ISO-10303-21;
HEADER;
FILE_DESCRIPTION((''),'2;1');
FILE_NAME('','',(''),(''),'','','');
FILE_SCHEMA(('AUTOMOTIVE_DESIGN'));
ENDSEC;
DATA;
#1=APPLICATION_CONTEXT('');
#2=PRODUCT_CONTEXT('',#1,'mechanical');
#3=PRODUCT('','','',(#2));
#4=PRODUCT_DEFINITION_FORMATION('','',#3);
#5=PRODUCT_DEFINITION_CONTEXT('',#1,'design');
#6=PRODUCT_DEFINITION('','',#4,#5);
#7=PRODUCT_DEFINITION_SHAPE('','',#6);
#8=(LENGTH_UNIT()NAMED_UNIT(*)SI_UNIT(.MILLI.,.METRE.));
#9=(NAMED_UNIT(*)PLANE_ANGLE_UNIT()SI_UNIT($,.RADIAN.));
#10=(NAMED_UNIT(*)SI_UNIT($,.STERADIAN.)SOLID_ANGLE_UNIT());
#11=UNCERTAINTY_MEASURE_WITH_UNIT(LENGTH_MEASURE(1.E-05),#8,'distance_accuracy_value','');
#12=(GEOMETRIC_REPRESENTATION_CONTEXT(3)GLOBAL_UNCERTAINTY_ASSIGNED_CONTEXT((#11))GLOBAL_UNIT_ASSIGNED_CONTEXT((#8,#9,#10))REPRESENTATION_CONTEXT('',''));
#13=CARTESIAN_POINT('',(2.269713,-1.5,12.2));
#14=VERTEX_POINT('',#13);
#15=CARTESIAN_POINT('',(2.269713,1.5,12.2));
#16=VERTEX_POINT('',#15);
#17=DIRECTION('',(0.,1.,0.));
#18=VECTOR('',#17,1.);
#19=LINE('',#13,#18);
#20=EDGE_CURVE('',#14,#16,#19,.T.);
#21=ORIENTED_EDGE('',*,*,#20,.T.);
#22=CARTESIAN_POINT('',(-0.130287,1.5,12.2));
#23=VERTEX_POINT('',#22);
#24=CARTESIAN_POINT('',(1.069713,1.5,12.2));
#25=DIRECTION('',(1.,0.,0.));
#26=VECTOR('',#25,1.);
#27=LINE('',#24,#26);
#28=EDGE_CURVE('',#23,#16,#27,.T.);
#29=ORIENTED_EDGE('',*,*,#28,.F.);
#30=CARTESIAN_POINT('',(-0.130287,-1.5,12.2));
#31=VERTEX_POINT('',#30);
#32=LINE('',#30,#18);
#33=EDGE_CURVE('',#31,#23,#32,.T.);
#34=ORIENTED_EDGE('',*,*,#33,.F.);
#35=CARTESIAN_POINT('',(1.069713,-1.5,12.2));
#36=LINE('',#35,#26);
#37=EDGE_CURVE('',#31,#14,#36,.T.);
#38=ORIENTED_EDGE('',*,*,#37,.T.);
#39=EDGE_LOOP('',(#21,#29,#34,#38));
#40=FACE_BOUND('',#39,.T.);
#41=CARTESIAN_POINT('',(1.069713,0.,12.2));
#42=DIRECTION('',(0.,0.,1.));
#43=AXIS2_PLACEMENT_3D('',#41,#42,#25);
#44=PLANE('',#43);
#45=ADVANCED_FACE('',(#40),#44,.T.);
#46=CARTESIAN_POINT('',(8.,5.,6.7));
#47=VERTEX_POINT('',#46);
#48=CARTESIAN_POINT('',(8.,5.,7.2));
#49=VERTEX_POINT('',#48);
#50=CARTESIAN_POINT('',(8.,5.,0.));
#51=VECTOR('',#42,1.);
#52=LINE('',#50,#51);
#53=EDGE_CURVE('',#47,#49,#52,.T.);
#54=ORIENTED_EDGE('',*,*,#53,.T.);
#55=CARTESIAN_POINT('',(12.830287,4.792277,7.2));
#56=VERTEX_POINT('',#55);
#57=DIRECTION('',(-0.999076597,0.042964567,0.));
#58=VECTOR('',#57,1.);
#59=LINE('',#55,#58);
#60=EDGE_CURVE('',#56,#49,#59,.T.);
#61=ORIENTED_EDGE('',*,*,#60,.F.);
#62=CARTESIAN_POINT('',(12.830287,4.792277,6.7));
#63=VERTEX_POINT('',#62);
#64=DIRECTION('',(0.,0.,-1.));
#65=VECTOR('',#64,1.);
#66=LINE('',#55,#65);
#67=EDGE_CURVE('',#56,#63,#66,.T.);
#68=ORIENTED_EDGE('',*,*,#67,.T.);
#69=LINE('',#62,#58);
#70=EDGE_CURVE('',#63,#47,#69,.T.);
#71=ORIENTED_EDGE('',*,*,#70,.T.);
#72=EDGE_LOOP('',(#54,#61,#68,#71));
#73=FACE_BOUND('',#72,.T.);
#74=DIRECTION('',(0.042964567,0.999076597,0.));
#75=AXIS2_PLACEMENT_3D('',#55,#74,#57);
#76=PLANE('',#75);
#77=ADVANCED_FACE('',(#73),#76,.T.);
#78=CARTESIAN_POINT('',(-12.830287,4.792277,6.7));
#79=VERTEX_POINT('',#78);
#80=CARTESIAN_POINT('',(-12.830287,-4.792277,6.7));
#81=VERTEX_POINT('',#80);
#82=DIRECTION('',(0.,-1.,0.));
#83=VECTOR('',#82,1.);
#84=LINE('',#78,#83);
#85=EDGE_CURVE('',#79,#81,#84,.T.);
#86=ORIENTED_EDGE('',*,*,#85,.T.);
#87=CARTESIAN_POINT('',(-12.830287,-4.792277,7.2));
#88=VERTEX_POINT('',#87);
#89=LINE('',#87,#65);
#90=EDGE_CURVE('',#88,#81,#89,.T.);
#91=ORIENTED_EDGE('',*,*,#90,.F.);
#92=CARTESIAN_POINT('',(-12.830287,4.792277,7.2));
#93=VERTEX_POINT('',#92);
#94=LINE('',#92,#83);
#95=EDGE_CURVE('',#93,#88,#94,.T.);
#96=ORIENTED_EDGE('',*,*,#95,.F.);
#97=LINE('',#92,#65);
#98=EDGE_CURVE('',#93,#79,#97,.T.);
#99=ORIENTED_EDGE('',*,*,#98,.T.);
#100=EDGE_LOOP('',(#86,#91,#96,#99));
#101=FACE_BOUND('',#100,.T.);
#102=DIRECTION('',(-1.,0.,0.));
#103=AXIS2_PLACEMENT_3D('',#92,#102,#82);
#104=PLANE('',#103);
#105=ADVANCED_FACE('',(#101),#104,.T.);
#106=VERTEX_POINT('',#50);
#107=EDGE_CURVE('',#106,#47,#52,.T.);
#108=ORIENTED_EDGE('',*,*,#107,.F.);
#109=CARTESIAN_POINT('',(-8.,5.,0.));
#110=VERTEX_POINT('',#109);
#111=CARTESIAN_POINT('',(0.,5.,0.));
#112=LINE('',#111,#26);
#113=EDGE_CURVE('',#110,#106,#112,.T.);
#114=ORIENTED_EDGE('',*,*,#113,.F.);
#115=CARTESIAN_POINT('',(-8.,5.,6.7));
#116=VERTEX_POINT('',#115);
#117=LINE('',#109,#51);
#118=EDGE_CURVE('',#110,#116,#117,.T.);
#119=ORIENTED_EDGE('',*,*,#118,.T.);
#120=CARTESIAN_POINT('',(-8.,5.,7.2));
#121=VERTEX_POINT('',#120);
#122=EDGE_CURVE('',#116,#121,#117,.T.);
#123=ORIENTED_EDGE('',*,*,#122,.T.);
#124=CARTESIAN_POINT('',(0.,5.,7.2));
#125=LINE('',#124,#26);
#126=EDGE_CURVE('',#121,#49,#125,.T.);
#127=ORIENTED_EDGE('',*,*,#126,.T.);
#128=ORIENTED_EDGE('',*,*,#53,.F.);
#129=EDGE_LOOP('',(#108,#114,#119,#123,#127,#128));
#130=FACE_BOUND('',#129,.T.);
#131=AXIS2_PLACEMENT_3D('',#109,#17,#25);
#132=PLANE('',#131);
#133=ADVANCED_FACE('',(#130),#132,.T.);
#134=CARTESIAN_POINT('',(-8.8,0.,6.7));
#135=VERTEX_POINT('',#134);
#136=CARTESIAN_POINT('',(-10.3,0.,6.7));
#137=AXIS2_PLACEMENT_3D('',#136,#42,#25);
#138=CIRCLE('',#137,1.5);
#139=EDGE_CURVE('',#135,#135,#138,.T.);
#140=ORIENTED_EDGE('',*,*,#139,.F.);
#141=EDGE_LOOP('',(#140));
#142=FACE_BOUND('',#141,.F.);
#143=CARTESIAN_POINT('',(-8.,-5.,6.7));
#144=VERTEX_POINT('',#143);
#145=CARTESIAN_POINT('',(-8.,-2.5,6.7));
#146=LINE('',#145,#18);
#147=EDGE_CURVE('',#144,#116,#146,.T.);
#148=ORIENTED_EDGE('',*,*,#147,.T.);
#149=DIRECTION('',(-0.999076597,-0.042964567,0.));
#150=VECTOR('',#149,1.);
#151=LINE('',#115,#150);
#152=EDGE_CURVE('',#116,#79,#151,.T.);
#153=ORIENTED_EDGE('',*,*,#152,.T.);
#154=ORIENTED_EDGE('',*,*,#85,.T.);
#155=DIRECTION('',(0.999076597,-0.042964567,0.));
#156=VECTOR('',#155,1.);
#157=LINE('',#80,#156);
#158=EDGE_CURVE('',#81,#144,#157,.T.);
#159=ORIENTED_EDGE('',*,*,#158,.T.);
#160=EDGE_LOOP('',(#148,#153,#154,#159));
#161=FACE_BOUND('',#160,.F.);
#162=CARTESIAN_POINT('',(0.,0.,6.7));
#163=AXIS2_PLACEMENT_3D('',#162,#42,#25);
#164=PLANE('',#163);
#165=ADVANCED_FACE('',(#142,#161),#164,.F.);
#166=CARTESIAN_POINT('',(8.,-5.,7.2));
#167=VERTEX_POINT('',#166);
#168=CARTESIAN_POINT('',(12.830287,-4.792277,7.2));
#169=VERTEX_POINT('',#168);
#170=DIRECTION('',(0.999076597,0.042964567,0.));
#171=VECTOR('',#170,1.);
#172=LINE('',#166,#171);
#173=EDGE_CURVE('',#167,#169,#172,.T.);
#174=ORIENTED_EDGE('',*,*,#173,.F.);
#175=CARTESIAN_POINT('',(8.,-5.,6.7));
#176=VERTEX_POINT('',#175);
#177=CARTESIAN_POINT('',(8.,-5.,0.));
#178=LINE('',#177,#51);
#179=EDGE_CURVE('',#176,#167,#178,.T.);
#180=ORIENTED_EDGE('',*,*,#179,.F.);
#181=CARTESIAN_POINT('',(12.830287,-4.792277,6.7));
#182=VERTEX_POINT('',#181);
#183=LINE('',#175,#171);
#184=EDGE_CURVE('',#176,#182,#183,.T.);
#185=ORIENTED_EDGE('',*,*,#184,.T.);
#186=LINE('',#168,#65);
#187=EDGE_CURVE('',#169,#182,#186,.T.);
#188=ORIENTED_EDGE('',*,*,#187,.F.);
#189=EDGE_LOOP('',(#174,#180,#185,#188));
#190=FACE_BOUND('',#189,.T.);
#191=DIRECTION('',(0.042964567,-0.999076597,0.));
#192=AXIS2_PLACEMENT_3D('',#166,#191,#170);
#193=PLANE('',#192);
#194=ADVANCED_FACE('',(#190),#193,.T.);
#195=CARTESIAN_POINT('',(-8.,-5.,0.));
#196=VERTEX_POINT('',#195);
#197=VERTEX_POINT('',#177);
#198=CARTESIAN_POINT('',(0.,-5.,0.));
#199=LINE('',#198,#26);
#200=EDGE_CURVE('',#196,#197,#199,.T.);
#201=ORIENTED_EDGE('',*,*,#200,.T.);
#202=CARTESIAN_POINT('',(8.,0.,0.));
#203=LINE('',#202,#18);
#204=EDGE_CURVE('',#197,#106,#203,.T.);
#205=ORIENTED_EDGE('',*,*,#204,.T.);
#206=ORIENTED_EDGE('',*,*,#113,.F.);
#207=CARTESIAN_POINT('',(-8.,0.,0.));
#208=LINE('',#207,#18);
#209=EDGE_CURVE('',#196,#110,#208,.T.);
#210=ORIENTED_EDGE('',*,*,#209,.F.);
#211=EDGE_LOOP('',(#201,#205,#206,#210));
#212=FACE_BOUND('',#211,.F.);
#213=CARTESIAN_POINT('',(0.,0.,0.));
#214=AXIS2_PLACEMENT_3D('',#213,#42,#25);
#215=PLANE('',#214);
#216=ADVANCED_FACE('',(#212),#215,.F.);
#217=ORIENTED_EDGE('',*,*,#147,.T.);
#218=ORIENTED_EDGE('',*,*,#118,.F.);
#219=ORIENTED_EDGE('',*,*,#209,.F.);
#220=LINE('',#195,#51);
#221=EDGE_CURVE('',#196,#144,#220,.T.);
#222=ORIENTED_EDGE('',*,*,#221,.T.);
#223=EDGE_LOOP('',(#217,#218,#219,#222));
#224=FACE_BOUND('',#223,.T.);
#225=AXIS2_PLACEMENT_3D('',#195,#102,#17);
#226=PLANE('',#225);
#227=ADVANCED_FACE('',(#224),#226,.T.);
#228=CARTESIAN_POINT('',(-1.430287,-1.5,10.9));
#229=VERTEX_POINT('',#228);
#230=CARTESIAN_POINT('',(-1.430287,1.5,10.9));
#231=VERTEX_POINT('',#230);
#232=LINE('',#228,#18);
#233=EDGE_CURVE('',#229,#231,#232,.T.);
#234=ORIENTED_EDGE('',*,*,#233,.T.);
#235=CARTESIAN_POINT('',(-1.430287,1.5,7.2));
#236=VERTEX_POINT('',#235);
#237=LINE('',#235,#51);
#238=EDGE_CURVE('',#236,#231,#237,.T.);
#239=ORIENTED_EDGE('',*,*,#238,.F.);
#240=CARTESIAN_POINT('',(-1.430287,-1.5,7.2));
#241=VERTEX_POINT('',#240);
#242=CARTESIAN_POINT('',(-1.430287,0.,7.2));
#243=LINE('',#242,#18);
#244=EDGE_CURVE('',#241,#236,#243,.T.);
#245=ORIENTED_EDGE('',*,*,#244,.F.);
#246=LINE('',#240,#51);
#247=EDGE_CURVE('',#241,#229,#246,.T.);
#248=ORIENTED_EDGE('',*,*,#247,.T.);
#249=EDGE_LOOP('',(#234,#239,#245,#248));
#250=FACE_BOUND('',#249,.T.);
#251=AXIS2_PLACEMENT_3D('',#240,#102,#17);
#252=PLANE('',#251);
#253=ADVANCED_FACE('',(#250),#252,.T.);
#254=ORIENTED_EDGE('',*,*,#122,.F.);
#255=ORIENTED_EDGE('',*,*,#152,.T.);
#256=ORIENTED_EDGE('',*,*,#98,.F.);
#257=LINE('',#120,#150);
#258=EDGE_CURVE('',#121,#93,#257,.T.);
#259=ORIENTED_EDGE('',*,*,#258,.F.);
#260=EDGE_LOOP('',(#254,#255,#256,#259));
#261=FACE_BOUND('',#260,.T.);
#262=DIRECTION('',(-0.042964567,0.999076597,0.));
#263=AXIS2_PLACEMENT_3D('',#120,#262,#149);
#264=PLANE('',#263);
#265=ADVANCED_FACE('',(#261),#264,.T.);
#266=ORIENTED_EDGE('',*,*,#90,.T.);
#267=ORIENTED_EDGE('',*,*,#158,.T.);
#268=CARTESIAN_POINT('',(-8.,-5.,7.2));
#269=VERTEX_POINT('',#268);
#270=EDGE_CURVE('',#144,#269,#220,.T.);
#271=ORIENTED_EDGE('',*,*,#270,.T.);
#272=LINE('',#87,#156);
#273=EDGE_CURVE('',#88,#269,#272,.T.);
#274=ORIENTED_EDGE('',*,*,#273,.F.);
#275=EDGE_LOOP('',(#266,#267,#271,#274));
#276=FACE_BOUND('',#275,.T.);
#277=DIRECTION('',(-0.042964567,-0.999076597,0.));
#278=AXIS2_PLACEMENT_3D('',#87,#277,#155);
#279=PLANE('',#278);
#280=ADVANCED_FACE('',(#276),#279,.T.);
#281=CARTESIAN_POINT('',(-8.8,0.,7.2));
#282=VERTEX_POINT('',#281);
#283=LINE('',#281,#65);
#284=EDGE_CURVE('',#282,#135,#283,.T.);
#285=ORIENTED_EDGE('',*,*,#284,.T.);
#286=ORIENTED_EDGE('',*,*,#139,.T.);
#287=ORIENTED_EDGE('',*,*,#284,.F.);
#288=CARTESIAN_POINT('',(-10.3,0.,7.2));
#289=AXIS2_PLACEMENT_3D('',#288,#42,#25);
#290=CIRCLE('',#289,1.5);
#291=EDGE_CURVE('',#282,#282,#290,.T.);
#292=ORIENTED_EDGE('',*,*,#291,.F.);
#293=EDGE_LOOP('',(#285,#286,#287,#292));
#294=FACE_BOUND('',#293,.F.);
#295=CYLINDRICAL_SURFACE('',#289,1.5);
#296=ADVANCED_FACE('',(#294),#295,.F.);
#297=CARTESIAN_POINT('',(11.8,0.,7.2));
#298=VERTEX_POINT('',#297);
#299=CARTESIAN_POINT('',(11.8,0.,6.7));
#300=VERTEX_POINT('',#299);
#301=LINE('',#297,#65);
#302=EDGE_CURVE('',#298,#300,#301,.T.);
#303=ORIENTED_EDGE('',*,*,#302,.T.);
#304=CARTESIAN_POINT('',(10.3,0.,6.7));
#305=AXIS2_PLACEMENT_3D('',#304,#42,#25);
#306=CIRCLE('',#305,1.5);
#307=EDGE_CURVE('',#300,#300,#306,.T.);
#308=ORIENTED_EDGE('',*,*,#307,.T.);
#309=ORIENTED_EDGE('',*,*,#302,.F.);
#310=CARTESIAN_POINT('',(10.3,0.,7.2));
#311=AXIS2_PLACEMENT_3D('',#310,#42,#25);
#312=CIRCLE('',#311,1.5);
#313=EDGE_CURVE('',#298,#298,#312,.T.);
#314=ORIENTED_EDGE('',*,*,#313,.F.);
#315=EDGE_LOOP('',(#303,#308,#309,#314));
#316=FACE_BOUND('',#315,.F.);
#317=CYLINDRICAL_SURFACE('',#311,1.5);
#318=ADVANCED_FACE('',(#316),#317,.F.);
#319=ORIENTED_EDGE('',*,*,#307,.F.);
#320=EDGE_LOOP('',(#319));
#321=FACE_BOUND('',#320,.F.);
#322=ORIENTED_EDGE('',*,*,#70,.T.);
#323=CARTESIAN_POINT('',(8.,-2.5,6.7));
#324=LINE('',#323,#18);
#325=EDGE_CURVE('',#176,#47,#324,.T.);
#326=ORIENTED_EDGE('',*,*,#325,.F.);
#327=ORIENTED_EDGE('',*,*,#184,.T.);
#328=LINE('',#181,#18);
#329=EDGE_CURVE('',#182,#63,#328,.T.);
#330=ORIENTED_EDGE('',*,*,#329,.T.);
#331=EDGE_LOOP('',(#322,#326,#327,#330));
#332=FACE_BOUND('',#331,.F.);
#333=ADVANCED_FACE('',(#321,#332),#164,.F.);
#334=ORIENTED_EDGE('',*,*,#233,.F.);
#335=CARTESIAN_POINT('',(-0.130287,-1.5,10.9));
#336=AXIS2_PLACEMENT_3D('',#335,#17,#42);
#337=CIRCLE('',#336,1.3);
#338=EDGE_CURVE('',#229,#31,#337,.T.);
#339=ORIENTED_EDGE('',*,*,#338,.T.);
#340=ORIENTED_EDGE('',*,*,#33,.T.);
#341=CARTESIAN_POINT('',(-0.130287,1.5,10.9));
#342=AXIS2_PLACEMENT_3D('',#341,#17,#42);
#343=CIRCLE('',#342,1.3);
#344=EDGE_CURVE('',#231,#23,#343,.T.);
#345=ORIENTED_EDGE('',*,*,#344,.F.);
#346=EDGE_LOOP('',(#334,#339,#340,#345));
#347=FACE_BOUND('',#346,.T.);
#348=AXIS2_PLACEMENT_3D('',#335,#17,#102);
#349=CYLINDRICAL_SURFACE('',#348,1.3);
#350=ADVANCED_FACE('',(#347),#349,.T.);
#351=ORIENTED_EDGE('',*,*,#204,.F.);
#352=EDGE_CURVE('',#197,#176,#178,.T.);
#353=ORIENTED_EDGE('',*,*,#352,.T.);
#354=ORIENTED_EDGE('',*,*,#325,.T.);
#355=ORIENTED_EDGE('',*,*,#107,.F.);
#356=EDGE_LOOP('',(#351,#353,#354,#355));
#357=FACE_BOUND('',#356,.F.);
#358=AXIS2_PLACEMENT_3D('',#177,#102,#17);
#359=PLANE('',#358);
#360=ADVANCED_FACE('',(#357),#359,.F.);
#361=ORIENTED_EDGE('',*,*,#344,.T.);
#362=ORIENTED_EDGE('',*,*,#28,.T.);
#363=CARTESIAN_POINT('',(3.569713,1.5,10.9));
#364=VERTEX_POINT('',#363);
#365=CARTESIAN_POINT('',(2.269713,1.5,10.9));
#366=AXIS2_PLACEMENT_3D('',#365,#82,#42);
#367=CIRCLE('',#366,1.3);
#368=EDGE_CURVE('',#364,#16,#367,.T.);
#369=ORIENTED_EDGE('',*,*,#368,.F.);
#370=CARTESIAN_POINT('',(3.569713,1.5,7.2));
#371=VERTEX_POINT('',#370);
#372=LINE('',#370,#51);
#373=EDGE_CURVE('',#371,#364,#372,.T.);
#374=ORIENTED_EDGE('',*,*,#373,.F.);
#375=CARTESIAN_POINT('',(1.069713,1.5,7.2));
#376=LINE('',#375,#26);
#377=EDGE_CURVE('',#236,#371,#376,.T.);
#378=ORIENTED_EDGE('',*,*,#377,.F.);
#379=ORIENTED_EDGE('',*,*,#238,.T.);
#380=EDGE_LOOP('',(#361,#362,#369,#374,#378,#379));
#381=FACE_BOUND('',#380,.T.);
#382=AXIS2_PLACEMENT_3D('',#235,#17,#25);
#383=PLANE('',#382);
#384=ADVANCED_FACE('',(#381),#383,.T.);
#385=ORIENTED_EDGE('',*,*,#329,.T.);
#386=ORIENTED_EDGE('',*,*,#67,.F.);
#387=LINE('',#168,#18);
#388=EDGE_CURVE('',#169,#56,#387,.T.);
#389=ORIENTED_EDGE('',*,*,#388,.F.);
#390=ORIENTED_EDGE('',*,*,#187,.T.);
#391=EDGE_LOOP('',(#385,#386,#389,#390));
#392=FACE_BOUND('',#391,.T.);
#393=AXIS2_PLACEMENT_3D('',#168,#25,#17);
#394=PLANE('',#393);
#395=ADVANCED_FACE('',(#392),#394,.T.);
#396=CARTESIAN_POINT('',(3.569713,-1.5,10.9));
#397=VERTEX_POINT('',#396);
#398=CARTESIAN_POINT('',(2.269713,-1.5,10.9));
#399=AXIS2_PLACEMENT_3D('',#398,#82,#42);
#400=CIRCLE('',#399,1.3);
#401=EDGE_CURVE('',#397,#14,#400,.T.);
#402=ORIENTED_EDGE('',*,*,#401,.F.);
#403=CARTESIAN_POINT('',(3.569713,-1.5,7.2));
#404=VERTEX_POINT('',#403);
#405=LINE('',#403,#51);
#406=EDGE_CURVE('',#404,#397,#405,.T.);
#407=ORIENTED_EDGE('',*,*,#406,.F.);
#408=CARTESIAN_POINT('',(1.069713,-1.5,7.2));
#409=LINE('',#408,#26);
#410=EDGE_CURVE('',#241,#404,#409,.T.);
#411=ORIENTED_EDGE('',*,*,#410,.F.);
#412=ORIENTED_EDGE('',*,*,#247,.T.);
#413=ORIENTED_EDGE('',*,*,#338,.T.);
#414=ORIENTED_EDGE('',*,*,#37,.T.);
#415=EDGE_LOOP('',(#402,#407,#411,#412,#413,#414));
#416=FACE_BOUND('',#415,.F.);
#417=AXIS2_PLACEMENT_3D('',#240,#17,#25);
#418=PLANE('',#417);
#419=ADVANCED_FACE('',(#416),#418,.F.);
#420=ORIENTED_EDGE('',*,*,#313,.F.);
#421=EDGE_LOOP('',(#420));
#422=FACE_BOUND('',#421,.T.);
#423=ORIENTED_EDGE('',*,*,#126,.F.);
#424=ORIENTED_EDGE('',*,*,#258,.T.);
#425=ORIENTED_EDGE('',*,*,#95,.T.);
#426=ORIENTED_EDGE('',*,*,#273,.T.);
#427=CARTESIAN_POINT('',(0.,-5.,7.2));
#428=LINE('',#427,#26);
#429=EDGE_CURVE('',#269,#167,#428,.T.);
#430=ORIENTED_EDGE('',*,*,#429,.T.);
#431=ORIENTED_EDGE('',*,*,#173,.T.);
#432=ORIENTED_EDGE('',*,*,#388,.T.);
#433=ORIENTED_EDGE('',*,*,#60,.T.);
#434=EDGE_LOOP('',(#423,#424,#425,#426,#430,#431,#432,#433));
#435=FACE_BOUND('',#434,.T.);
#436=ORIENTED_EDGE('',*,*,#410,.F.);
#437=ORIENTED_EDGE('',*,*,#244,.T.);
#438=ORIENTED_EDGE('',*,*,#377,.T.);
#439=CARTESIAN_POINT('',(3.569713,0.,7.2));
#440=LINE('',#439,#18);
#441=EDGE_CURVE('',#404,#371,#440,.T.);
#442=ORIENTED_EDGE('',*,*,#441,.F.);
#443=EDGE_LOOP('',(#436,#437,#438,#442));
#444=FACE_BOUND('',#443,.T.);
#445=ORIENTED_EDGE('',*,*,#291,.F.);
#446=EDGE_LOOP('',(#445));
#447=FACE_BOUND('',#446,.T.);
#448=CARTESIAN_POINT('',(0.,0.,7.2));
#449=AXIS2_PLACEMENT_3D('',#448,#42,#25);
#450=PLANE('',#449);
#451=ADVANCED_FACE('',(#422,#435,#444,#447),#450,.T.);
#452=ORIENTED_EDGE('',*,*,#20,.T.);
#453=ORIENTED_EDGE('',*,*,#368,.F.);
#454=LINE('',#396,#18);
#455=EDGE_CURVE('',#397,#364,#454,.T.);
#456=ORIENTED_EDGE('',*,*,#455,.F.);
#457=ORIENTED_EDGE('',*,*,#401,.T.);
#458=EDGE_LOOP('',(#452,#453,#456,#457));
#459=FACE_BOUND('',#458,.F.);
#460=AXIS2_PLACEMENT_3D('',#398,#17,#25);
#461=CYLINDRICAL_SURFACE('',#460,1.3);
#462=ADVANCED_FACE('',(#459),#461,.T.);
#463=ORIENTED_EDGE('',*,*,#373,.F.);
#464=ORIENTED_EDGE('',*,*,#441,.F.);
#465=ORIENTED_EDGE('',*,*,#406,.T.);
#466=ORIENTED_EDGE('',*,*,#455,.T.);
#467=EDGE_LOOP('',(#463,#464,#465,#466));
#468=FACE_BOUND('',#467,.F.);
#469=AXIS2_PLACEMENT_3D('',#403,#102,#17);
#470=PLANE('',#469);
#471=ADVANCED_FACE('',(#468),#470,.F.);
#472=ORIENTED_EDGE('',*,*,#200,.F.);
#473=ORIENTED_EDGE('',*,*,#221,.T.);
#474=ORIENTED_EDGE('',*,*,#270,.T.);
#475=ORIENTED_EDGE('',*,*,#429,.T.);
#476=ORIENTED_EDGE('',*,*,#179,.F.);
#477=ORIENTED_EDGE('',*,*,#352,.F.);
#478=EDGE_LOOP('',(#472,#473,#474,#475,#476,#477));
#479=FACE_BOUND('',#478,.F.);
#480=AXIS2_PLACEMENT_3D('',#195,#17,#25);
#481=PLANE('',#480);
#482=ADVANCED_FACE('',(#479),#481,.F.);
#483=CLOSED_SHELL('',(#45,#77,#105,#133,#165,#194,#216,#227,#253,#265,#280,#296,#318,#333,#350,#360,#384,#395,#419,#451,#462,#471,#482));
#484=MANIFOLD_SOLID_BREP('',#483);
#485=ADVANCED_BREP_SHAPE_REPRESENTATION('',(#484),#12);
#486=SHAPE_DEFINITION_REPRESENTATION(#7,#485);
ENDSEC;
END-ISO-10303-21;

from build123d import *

# Parameters (mm, degrees)
F0_W     = 16
F0_H     = 10
F1_DEPTH = 7.2
F2_W     = 5
F2_H     = 3
F3_DEPTH = 5
F4_R     = 1.3
F5_R     = 1.5
F6_DEPTH = 0.5


with BuildPart() as f1:
    # F0 (on Top) → F1 (new body)
    with BuildSketch(Plane.XY):
        Rectangle(F0_W, F0_H)
    extrude(amount=F1_DEPTH)

    # F2 (on face) → F3 (join)
    with BuildSketch(Plane.XY.offset(7.2)):
        with Locations((1.069713, 0)):
            Rectangle(F2_W, F2_H)
    extrude(amount=F3_DEPTH)

    # F4
    f4_edges = [f1.edges().sort_by_distance(p)[0] for p in [
        (-1.430287, 0, 12.2),
        (3.569713, 0, 12.2),
    ]]
    fillet(f4_edges, radius=F4_R)

    # F5 (on face) → F6 (join)
    with BuildSketch(Plane.XY.offset(7.2)):
        Polygon((0, 5), (-8, 5), (-12.830287, 4.792277), (-12.830287, 0), (-12.830287, -4.792277), (-8, -5), (0, -5), (8, -5), (12.830287, -4.792277), (12.830287, 0), (12.830287, 4.792277), (8, 5), align=None)
        with Locations((-10.3, 0)):
            Circle(F5_R, mode=Mode.SUBTRACT)
        with Locations((10.3, 0)):
            Circle(F5_R, mode=Mode.SUBTRACT)
    extrude(amount=-F6_DEPTH)


solid = f1.part
